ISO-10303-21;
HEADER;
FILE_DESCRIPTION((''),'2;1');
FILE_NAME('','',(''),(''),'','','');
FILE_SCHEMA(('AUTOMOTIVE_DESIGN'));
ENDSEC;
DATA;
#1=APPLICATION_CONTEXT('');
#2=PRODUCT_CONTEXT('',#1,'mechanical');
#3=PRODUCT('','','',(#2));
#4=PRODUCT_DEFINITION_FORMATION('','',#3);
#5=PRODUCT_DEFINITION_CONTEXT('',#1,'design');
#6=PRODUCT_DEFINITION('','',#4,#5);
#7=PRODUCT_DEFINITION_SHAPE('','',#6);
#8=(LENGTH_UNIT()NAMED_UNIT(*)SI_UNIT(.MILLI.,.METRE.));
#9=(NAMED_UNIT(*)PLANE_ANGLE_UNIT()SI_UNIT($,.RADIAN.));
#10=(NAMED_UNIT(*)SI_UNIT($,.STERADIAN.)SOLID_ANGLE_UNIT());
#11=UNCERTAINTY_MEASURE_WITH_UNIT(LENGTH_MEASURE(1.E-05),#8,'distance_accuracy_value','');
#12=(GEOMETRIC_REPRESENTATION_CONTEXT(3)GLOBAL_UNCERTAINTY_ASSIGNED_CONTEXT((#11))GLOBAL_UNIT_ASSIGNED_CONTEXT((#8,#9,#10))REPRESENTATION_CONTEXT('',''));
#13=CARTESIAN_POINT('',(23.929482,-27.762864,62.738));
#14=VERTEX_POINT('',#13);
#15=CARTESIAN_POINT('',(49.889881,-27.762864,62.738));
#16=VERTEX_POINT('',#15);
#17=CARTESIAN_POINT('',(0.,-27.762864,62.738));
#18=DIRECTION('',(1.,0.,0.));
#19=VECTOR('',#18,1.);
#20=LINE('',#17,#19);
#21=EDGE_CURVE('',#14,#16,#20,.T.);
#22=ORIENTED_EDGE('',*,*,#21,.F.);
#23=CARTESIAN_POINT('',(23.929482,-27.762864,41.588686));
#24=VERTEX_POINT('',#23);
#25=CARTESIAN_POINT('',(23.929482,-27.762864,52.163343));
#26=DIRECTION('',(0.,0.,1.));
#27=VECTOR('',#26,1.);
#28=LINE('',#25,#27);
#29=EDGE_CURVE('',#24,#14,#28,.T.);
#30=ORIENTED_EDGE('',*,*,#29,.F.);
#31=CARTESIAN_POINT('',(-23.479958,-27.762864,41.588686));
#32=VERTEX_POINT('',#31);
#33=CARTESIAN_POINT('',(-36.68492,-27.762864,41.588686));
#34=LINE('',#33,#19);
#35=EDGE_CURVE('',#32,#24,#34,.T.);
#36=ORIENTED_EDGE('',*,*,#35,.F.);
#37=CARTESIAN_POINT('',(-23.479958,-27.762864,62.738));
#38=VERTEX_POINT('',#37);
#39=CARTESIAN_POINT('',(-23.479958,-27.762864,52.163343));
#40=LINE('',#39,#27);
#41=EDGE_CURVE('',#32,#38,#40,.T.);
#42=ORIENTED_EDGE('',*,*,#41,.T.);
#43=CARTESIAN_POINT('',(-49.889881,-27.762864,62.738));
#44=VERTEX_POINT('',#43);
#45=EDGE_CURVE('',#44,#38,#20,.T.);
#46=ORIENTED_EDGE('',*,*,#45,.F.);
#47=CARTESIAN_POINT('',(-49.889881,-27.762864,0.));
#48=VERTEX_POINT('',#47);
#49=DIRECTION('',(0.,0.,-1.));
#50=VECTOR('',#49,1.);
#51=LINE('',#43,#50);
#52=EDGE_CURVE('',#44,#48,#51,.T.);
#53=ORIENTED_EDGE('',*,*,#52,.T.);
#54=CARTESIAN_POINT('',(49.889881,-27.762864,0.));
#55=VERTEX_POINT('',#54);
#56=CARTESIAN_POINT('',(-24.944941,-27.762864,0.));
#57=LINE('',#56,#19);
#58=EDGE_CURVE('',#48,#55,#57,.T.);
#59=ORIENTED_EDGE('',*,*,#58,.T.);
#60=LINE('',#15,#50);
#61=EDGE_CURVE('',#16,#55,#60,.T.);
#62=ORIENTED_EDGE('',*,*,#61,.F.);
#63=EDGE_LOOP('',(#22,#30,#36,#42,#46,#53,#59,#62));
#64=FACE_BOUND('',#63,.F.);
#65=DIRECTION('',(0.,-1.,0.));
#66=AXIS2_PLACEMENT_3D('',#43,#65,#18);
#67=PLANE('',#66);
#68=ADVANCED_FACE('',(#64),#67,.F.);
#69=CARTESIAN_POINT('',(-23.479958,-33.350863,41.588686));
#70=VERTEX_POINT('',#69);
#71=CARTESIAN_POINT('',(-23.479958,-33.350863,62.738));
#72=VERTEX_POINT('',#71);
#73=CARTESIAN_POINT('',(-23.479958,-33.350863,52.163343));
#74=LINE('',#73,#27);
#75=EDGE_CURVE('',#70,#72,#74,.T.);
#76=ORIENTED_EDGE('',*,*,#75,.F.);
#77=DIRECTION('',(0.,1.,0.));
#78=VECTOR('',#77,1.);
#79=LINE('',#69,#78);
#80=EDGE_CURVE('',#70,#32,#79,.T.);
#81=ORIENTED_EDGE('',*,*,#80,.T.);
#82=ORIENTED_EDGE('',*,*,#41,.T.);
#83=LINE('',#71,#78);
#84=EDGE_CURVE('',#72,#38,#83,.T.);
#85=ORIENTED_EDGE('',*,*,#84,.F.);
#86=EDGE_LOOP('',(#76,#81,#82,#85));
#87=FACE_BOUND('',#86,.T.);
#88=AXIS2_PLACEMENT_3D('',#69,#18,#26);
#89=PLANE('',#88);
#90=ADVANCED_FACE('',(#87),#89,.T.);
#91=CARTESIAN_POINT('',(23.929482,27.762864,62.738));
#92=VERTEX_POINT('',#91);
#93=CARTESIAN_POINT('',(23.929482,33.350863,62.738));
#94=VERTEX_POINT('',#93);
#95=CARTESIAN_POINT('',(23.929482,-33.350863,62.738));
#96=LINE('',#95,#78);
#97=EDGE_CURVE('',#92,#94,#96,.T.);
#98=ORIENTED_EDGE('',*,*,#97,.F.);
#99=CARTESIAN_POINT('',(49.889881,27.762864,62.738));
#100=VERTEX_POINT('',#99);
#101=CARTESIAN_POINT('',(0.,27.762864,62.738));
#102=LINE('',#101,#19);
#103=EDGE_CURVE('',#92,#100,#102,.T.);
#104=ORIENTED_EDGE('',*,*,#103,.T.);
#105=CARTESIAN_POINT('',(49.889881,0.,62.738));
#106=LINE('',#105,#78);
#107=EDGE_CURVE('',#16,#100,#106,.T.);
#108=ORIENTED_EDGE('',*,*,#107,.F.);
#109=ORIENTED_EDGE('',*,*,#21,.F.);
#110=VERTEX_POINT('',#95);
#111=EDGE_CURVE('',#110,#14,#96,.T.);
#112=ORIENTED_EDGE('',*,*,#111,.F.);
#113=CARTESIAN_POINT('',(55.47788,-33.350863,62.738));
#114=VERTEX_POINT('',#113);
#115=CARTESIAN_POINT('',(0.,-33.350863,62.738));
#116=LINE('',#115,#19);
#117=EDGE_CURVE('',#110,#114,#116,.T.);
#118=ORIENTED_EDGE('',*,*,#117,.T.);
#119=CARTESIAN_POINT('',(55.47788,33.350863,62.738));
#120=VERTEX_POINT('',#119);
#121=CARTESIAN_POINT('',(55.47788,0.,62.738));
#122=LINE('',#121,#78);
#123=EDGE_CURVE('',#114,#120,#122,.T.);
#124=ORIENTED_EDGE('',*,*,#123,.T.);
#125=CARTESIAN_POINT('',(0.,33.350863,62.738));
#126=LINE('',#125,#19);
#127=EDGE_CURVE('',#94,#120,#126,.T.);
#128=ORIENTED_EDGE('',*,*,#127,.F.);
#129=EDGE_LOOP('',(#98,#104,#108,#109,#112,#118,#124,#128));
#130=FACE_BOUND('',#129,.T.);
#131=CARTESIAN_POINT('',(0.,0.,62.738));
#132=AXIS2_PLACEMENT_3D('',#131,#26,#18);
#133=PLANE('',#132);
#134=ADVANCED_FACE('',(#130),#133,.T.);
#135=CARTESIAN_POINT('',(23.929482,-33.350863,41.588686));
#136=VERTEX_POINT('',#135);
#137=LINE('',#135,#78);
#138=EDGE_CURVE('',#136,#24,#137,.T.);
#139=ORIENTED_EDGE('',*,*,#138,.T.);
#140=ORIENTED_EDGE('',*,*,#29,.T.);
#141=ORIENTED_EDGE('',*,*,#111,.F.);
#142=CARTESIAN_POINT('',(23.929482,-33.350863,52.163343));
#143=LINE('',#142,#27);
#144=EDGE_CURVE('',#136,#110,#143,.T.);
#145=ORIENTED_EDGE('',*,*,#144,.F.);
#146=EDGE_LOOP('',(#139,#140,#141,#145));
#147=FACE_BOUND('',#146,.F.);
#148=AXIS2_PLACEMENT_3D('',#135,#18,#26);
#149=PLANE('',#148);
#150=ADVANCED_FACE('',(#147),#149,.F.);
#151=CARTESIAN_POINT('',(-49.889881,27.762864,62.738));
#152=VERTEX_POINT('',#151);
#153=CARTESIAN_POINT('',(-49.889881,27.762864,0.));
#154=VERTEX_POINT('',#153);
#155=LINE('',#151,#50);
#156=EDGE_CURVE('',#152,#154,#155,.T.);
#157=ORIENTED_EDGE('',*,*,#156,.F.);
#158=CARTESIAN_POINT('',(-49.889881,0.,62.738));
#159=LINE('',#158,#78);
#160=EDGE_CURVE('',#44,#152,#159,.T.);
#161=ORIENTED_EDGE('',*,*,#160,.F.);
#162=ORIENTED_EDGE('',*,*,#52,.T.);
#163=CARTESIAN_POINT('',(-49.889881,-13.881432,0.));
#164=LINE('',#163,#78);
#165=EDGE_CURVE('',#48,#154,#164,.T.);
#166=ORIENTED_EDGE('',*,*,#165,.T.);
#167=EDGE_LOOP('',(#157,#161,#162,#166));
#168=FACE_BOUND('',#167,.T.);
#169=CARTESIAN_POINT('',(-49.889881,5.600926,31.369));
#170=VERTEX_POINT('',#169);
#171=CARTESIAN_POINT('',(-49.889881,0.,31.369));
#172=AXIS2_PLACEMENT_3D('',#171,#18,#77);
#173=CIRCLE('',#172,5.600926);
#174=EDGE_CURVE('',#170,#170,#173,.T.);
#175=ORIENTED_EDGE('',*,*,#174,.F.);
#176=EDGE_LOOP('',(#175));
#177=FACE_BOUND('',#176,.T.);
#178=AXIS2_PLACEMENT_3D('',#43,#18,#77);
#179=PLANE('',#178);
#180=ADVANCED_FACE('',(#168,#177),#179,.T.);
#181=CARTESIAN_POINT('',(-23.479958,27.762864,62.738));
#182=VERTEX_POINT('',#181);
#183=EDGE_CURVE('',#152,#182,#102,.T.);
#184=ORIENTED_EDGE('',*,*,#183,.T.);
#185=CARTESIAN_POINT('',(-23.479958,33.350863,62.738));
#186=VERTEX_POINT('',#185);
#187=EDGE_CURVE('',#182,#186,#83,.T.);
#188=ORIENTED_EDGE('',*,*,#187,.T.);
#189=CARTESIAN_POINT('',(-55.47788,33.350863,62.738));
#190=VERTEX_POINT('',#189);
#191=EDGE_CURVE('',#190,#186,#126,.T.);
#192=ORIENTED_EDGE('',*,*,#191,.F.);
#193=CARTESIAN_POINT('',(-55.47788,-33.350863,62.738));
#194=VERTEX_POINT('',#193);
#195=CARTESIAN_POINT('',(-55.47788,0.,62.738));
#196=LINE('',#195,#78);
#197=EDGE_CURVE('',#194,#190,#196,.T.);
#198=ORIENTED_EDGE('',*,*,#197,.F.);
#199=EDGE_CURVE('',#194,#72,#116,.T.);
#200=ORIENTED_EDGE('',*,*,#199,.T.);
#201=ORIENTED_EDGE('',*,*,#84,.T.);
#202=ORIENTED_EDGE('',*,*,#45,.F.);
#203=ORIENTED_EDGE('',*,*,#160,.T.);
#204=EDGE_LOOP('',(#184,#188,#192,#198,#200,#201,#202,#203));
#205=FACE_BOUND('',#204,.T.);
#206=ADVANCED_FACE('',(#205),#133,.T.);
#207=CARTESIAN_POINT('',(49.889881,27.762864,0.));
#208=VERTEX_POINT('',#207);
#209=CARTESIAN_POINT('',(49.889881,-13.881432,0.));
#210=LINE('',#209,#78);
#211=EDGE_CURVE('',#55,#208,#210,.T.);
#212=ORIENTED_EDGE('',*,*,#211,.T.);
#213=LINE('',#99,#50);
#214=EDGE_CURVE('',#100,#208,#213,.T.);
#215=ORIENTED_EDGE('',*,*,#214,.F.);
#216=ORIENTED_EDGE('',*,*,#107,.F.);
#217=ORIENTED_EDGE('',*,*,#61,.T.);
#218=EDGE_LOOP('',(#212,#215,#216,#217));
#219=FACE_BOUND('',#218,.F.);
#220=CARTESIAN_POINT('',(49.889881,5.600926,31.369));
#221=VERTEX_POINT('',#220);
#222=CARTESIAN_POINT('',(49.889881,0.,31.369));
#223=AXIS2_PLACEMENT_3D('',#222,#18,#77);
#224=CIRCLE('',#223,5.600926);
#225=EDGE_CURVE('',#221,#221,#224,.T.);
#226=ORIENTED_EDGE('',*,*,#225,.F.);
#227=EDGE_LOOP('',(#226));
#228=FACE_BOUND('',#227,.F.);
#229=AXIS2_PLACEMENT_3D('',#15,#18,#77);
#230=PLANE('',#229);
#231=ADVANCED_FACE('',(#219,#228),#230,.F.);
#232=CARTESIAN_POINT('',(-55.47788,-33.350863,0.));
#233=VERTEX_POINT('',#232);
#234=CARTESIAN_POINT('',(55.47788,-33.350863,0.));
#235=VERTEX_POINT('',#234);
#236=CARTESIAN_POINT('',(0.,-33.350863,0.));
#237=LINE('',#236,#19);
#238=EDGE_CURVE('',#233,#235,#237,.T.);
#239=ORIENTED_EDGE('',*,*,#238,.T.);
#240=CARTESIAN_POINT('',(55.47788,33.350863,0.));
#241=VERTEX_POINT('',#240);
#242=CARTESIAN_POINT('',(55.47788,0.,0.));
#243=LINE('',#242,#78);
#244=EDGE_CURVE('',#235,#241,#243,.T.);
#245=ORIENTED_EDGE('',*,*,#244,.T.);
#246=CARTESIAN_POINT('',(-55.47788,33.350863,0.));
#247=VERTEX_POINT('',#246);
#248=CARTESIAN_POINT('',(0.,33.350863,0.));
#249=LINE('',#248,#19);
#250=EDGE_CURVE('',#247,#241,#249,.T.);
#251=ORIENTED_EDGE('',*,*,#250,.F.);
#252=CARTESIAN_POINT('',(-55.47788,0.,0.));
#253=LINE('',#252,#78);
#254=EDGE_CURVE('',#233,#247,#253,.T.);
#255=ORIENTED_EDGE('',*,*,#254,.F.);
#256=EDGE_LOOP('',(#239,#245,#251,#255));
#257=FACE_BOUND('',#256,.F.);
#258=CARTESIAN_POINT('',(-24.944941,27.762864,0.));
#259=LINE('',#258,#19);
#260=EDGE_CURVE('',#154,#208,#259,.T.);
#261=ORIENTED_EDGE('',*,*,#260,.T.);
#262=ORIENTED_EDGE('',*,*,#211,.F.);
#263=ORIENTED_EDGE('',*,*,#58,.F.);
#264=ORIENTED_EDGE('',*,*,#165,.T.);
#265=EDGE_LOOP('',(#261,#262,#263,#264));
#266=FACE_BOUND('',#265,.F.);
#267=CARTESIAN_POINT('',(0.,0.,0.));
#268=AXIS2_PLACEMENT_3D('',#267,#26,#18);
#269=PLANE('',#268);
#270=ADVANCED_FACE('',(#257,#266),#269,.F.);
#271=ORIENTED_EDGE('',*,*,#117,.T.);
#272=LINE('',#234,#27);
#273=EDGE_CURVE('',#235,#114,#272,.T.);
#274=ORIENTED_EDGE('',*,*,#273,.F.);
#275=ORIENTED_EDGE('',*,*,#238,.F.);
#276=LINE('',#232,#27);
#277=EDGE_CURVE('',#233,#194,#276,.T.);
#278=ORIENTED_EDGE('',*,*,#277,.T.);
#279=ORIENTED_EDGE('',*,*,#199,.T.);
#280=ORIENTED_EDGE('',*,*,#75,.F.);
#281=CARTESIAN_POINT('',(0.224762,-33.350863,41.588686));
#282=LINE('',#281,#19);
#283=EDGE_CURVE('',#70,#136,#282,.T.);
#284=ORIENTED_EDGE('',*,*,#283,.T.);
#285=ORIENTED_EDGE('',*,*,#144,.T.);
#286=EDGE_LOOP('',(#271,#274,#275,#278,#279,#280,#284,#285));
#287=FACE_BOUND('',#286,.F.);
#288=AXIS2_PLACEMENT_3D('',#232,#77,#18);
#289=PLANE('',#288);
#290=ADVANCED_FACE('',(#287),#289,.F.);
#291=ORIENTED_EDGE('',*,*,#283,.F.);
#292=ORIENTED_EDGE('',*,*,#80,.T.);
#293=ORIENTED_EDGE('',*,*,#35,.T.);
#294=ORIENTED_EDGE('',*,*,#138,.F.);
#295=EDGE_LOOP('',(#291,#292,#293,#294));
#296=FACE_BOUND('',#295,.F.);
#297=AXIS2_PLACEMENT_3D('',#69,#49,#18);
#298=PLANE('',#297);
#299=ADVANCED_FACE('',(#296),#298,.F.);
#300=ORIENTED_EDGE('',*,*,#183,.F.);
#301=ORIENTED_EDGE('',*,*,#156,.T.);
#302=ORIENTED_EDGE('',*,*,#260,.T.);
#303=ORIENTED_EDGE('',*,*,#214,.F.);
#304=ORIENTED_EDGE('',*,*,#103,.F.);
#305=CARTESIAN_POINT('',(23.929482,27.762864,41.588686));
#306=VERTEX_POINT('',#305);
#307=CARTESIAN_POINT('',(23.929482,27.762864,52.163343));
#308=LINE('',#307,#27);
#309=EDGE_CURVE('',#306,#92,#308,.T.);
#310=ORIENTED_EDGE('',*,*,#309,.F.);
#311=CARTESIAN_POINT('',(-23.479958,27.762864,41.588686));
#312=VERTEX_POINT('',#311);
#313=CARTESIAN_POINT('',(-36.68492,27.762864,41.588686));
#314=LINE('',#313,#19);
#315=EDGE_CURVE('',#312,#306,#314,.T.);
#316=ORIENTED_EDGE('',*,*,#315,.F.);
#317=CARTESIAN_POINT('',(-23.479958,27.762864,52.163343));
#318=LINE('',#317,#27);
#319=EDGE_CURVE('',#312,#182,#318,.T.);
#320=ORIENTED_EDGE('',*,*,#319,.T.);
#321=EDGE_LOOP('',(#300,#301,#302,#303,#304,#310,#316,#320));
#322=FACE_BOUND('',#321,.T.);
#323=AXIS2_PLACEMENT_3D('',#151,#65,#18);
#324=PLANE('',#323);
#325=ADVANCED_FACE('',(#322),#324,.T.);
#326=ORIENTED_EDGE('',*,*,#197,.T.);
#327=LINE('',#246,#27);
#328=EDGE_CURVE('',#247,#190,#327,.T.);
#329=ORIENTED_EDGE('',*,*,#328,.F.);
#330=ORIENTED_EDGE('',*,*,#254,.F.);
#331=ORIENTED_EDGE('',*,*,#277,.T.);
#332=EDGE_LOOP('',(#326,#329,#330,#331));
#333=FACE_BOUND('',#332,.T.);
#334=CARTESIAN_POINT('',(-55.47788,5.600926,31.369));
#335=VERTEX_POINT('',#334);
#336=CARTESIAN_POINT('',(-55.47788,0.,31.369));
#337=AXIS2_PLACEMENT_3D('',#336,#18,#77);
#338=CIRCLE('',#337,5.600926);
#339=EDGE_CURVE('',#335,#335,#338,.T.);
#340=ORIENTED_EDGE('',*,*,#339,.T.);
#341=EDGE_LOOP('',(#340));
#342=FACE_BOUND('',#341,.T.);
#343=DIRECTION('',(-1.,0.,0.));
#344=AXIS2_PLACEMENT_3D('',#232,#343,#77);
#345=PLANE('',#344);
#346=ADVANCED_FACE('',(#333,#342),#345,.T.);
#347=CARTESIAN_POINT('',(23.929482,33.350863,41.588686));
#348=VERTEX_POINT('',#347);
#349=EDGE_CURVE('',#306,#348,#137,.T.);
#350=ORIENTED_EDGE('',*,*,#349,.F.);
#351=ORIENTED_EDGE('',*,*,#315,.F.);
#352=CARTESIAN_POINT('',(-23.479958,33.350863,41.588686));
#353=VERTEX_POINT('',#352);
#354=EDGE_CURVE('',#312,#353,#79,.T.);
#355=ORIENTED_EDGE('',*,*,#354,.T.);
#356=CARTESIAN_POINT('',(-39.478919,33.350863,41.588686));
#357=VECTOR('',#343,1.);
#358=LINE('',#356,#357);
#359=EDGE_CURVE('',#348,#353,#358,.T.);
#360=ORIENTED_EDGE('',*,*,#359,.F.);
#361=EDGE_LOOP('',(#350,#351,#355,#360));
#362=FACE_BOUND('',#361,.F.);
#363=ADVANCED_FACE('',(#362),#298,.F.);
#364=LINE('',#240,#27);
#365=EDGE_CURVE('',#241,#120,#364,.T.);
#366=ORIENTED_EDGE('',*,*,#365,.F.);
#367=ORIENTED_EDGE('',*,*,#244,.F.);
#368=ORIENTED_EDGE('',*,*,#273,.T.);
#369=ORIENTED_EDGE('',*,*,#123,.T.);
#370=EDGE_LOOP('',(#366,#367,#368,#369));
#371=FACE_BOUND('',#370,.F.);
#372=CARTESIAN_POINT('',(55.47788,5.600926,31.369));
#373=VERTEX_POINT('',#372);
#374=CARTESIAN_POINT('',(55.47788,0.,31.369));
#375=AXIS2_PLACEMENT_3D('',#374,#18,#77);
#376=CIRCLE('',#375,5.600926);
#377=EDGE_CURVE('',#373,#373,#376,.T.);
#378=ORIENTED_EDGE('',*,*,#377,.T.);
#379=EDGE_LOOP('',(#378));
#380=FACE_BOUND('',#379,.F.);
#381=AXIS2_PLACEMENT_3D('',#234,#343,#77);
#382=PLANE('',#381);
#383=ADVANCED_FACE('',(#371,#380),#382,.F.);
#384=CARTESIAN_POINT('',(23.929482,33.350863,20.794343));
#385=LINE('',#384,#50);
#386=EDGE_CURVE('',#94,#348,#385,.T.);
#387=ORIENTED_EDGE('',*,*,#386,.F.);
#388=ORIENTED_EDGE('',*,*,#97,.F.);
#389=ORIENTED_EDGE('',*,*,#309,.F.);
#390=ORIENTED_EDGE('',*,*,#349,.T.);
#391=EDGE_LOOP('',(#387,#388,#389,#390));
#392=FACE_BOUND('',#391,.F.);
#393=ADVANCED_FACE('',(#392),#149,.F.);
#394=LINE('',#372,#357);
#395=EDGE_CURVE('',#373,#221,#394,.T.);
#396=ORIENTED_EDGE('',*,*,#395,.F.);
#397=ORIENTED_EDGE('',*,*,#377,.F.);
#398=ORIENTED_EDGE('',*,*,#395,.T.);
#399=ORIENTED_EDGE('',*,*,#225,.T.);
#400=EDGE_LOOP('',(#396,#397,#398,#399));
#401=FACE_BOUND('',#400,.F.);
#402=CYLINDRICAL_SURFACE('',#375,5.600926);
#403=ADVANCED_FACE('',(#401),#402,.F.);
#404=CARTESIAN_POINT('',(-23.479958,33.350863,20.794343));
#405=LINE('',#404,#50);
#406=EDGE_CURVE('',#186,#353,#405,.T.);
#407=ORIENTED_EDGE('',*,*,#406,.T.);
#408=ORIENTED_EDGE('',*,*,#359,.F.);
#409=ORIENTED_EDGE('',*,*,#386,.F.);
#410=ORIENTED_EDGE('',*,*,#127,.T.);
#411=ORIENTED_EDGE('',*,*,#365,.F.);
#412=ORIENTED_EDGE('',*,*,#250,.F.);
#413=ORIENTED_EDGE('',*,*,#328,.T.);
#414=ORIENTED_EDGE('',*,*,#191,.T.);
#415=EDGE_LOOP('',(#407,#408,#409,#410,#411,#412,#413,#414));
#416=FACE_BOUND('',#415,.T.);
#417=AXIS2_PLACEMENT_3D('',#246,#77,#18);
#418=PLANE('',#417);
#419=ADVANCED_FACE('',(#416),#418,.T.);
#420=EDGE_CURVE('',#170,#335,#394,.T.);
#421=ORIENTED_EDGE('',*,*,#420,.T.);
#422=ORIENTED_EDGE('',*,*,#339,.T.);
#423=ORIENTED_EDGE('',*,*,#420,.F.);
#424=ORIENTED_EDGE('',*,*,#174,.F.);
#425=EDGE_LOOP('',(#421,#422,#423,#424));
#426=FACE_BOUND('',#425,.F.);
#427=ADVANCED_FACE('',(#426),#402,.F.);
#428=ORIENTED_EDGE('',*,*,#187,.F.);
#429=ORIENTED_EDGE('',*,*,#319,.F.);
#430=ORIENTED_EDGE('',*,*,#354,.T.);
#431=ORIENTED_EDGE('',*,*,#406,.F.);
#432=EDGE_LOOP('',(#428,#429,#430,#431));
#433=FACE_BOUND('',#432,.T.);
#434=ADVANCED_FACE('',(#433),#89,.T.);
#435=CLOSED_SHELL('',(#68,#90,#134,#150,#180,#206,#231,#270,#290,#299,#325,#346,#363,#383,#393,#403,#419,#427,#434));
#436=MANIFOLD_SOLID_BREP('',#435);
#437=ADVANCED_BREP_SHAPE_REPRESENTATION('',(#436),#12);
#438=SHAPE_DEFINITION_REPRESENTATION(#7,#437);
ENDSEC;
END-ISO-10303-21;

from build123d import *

# Parameters (mm, degrees)
F0_W     = 110.95576
F0_H     = 66.701726
F1_DEPTH = 62.738
F2_R     = 5.600926
F3_DEPTH = 110.95676
F4_W     = 99.779762
F4_H     = 55.525728
F5_DEPTH = 62.739
F6_W     = 47.409441
F6_H     = 21.149314
F7_DEPTH = 66.702725


with BuildPart() as f1:
    # F0 (on Top) → F1 (new body)
    with BuildSketch(Plane.XY):
        Rectangle(F0_W, F0_H)
    extrude(amount=F1_DEPTH)

    # F2 (on face) → F3 (cut, through all)
    with BuildSketch(Plane.YZ.offset(55.47788)):
        with Locations((0, 31.369)):
            Circle(F2_R)
    extrude(amount=-F3_DEPTH, mode=Mode.SUBTRACT)

    # F4 (on face) → F5 (cut, through all)
    with BuildSketch(Plane.XY.offset(62.738)):
        Rectangle(F4_W, F4_H)
    extrude(amount=-F5_DEPTH, mode=Mode.SUBTRACT)

    # F6 (on face) → F7 (cut, through all)
    with BuildSketch(Plane.XZ.offset(33.350863)):
        with Locations((0.224762, 52.163343)):
            Rectangle(F6_W, F6_H)
    extrude(amount=-F7_DEPTH, mode=Mode.SUBTRACT)


solid = f1.part
